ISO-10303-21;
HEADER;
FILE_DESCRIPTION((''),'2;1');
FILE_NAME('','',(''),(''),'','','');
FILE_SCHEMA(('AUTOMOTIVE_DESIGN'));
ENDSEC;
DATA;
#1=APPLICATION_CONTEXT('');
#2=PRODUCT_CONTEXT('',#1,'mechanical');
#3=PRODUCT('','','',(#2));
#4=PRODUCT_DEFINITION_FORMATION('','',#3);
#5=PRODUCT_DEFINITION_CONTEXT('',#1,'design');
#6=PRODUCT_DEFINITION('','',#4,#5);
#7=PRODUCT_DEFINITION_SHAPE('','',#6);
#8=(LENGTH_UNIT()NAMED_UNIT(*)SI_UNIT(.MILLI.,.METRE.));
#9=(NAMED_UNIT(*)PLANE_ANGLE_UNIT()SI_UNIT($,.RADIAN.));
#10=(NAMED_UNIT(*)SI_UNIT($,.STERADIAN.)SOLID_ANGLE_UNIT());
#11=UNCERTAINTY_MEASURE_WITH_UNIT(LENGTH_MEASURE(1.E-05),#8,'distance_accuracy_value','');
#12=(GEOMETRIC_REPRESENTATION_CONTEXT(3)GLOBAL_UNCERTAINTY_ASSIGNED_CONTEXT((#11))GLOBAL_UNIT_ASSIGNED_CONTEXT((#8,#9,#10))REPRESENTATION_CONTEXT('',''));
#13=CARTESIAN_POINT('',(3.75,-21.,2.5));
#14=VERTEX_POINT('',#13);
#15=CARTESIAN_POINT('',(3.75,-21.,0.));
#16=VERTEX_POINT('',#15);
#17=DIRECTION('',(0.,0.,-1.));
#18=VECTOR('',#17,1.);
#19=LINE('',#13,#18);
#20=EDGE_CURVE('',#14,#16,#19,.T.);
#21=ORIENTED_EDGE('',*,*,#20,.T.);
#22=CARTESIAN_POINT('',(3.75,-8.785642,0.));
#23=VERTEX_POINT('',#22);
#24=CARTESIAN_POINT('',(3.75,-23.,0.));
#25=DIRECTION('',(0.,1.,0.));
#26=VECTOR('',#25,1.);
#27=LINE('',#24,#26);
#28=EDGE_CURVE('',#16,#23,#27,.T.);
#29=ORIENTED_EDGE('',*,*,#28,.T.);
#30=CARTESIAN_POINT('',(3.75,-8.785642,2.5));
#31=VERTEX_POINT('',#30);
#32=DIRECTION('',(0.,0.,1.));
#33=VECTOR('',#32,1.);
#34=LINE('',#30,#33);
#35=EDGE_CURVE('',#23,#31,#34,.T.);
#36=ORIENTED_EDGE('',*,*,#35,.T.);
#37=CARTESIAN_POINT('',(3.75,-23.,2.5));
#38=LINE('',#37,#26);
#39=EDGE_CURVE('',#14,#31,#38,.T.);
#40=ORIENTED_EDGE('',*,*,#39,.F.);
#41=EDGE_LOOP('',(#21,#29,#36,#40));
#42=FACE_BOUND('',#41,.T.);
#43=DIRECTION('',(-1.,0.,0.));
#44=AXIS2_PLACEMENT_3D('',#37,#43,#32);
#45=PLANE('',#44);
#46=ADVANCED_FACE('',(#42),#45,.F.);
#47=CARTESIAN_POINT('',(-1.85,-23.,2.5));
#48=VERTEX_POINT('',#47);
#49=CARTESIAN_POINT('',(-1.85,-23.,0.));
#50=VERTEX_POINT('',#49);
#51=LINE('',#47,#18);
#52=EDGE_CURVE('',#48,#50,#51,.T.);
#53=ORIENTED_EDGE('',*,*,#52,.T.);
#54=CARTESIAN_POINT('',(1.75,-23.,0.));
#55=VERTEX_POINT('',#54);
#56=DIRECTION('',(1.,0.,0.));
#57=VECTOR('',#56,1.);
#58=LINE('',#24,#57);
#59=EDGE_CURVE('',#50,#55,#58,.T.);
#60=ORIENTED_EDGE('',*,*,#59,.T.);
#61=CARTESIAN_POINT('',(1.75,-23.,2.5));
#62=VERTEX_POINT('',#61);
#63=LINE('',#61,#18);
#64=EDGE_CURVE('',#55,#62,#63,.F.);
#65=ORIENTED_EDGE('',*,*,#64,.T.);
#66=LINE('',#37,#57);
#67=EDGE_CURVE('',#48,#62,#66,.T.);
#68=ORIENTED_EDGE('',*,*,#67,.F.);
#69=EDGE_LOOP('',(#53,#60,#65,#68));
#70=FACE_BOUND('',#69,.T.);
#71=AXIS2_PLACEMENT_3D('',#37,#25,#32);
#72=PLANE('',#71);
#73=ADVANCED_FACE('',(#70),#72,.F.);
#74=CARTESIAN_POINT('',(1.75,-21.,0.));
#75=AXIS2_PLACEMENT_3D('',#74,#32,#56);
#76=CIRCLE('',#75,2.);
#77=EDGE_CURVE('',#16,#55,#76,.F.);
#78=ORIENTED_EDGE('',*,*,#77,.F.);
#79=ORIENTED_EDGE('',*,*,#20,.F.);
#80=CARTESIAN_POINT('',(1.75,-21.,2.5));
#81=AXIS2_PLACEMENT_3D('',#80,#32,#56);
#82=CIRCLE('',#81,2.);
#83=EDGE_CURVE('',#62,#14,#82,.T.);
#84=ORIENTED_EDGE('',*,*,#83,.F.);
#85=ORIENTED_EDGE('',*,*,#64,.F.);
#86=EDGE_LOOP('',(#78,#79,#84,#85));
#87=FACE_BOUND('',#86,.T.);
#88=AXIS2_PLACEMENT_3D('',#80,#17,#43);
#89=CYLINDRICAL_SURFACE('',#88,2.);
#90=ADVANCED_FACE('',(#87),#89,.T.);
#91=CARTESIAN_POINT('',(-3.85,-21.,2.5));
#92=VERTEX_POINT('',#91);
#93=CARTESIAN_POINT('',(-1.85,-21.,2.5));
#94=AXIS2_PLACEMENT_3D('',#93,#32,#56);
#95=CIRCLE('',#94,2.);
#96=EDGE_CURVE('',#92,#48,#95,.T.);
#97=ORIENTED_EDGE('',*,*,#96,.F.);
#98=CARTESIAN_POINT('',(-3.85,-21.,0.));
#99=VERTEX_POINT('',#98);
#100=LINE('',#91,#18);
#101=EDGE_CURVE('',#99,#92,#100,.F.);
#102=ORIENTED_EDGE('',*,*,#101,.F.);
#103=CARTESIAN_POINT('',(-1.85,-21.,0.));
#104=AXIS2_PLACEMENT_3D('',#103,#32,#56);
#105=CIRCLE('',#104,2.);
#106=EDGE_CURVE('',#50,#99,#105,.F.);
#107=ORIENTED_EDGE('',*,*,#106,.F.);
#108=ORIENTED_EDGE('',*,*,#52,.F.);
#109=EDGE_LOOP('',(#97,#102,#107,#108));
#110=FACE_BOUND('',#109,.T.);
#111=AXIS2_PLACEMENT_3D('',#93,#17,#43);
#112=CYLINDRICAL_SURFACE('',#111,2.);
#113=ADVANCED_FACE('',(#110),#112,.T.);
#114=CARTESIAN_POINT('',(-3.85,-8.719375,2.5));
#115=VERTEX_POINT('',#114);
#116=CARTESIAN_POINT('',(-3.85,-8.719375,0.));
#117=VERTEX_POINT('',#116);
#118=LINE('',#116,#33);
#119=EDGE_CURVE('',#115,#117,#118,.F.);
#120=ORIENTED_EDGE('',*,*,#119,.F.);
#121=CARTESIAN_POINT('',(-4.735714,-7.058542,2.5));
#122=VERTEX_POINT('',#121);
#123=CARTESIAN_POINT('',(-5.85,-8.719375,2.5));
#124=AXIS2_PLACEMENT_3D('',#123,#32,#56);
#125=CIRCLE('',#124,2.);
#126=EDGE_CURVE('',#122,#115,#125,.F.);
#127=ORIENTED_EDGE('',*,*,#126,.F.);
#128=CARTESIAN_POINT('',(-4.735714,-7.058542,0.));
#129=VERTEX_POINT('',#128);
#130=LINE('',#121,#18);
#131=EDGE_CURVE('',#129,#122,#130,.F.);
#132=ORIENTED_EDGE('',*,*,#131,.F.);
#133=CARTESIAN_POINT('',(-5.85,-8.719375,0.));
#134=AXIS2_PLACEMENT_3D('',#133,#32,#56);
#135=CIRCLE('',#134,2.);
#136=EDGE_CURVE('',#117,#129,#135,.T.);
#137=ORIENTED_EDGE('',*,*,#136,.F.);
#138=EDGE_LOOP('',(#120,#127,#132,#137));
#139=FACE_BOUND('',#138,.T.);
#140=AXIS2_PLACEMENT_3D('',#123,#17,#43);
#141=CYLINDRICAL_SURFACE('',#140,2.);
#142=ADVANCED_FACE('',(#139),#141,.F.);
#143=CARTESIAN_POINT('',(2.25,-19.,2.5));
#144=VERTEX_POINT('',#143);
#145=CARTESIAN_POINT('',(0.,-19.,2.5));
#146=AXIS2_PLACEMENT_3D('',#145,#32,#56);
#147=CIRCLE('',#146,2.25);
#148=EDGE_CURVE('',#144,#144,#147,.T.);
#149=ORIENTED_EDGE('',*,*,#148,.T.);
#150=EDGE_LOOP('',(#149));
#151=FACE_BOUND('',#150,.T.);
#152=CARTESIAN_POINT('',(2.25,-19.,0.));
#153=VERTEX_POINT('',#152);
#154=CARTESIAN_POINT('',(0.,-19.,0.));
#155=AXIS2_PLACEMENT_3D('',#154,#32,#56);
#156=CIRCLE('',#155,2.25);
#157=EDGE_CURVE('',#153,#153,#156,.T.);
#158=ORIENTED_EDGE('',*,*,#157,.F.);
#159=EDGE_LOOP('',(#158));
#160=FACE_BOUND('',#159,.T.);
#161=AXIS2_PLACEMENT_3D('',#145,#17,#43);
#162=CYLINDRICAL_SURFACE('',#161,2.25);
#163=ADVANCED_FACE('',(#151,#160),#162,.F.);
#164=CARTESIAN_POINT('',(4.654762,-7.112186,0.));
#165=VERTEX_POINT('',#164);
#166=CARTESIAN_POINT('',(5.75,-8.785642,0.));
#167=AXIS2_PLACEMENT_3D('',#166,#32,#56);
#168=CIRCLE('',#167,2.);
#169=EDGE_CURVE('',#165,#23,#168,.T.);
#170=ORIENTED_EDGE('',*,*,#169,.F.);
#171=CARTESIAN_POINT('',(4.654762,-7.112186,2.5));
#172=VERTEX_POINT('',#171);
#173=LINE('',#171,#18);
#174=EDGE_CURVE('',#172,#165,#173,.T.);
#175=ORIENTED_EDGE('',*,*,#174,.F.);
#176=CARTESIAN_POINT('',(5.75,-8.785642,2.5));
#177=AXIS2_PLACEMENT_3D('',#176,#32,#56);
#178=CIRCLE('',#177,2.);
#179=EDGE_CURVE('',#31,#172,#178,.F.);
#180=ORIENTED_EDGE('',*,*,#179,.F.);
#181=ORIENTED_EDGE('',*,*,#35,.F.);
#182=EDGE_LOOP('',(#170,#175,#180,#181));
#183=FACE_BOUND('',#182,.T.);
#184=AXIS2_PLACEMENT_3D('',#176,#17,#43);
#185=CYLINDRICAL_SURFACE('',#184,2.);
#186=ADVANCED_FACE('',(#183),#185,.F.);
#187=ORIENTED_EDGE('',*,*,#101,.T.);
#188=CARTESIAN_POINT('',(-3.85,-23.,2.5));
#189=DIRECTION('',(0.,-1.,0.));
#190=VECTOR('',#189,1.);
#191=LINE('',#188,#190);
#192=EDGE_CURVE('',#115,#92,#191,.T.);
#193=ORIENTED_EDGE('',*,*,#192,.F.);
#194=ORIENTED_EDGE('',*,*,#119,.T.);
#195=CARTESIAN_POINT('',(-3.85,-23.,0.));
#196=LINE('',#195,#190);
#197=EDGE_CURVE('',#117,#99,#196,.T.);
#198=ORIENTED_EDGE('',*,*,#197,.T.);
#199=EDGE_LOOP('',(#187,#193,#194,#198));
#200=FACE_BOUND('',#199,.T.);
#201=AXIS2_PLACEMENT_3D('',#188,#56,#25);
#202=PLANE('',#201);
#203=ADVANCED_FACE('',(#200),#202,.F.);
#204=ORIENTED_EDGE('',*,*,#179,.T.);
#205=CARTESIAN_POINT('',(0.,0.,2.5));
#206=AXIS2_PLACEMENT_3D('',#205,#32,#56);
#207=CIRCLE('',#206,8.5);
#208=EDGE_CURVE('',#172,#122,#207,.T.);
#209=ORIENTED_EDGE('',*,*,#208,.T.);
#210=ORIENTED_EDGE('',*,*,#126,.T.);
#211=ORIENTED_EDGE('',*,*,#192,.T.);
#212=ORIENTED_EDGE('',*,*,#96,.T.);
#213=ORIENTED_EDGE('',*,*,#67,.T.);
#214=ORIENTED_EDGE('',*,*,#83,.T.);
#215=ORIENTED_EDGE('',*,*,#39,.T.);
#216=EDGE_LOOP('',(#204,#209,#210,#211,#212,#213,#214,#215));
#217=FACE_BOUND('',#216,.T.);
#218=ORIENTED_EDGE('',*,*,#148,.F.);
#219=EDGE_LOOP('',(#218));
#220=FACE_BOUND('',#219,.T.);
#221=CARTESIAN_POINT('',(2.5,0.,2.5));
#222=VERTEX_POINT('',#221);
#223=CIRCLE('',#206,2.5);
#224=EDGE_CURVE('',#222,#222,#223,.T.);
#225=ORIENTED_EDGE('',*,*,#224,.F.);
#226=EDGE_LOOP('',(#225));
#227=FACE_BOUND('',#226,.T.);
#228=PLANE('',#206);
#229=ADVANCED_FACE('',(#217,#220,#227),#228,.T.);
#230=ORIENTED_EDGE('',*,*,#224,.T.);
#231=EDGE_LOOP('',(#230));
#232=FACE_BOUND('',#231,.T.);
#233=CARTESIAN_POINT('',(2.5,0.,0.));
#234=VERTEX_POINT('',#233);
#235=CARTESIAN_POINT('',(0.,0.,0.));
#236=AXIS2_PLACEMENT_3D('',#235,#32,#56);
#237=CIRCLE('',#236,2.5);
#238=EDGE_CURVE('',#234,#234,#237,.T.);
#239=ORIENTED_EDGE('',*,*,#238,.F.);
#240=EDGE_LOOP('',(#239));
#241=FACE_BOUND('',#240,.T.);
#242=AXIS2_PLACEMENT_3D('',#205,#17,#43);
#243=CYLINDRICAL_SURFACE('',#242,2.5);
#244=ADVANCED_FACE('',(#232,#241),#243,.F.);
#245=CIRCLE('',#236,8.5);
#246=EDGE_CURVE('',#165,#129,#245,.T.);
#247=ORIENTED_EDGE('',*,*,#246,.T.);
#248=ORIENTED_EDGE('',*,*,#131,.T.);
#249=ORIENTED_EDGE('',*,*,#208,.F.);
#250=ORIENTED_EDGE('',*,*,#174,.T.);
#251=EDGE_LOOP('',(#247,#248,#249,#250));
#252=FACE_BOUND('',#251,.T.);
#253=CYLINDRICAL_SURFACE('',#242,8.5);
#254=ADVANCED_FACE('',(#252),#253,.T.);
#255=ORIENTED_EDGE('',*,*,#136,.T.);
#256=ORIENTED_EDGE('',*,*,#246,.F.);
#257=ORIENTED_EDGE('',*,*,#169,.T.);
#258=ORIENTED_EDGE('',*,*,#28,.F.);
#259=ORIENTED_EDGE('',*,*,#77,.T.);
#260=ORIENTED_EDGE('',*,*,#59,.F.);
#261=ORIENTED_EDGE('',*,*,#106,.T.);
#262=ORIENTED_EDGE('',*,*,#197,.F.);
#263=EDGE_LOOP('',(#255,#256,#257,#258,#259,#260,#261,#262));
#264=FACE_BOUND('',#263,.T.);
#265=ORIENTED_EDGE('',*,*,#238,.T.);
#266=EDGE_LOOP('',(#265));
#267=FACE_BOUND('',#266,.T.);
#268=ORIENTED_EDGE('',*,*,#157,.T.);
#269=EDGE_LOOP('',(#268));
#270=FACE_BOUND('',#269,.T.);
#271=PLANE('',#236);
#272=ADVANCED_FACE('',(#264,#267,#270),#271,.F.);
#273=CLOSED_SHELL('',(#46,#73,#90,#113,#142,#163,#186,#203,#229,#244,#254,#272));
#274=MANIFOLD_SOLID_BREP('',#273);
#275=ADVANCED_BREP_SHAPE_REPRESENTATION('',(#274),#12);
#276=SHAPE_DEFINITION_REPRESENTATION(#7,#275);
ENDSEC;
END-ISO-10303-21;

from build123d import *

# Parameters (mm, degrees)
SKETCH_1_R      = 2.5
SKETCH_1_R_2    = 2.25
EXTRUDE_1_DEPTH = 2.5
FILLET_1_R      = 2


with BuildPart() as part:
    # 草图1 → 拉伸1 (new body)
    with BuildSketch(Plane.XY):
        with BuildLine():
            Line((-3.85, -23), (-3.85, -7.578093428))
            ThreePointArc((-3.85, -7.578093428), (0.055897166, 8.499816204), (3.75, -7.628073151))
            Line((3.75, -7.628073151), (3.75, -23))
            Line((3.75, -23), (-3.85, -23))
        make_face()
        Circle(SKETCH_1_R, mode=Mode.SUBTRACT)
        with Locations((0, -19)):
            Circle(SKETCH_1_R_2, mode=Mode.SUBTRACT)
    extrude(amount=EXTRUDE_1_DEPTH)

    # 圆角1
    fillet_1_edges = [part.edges().sort_by_distance(p)[0] for p in [
        (-3.85, -23, 1.25),
        (-3.85, -7.578093428, 1.25),
        (3.75, -7.628073151, 1.25),
        (3.75, -23, 1.25),
    ]]
    fillet(fillet_1_edges, radius=FILLET_1_R)


solid = part.part
